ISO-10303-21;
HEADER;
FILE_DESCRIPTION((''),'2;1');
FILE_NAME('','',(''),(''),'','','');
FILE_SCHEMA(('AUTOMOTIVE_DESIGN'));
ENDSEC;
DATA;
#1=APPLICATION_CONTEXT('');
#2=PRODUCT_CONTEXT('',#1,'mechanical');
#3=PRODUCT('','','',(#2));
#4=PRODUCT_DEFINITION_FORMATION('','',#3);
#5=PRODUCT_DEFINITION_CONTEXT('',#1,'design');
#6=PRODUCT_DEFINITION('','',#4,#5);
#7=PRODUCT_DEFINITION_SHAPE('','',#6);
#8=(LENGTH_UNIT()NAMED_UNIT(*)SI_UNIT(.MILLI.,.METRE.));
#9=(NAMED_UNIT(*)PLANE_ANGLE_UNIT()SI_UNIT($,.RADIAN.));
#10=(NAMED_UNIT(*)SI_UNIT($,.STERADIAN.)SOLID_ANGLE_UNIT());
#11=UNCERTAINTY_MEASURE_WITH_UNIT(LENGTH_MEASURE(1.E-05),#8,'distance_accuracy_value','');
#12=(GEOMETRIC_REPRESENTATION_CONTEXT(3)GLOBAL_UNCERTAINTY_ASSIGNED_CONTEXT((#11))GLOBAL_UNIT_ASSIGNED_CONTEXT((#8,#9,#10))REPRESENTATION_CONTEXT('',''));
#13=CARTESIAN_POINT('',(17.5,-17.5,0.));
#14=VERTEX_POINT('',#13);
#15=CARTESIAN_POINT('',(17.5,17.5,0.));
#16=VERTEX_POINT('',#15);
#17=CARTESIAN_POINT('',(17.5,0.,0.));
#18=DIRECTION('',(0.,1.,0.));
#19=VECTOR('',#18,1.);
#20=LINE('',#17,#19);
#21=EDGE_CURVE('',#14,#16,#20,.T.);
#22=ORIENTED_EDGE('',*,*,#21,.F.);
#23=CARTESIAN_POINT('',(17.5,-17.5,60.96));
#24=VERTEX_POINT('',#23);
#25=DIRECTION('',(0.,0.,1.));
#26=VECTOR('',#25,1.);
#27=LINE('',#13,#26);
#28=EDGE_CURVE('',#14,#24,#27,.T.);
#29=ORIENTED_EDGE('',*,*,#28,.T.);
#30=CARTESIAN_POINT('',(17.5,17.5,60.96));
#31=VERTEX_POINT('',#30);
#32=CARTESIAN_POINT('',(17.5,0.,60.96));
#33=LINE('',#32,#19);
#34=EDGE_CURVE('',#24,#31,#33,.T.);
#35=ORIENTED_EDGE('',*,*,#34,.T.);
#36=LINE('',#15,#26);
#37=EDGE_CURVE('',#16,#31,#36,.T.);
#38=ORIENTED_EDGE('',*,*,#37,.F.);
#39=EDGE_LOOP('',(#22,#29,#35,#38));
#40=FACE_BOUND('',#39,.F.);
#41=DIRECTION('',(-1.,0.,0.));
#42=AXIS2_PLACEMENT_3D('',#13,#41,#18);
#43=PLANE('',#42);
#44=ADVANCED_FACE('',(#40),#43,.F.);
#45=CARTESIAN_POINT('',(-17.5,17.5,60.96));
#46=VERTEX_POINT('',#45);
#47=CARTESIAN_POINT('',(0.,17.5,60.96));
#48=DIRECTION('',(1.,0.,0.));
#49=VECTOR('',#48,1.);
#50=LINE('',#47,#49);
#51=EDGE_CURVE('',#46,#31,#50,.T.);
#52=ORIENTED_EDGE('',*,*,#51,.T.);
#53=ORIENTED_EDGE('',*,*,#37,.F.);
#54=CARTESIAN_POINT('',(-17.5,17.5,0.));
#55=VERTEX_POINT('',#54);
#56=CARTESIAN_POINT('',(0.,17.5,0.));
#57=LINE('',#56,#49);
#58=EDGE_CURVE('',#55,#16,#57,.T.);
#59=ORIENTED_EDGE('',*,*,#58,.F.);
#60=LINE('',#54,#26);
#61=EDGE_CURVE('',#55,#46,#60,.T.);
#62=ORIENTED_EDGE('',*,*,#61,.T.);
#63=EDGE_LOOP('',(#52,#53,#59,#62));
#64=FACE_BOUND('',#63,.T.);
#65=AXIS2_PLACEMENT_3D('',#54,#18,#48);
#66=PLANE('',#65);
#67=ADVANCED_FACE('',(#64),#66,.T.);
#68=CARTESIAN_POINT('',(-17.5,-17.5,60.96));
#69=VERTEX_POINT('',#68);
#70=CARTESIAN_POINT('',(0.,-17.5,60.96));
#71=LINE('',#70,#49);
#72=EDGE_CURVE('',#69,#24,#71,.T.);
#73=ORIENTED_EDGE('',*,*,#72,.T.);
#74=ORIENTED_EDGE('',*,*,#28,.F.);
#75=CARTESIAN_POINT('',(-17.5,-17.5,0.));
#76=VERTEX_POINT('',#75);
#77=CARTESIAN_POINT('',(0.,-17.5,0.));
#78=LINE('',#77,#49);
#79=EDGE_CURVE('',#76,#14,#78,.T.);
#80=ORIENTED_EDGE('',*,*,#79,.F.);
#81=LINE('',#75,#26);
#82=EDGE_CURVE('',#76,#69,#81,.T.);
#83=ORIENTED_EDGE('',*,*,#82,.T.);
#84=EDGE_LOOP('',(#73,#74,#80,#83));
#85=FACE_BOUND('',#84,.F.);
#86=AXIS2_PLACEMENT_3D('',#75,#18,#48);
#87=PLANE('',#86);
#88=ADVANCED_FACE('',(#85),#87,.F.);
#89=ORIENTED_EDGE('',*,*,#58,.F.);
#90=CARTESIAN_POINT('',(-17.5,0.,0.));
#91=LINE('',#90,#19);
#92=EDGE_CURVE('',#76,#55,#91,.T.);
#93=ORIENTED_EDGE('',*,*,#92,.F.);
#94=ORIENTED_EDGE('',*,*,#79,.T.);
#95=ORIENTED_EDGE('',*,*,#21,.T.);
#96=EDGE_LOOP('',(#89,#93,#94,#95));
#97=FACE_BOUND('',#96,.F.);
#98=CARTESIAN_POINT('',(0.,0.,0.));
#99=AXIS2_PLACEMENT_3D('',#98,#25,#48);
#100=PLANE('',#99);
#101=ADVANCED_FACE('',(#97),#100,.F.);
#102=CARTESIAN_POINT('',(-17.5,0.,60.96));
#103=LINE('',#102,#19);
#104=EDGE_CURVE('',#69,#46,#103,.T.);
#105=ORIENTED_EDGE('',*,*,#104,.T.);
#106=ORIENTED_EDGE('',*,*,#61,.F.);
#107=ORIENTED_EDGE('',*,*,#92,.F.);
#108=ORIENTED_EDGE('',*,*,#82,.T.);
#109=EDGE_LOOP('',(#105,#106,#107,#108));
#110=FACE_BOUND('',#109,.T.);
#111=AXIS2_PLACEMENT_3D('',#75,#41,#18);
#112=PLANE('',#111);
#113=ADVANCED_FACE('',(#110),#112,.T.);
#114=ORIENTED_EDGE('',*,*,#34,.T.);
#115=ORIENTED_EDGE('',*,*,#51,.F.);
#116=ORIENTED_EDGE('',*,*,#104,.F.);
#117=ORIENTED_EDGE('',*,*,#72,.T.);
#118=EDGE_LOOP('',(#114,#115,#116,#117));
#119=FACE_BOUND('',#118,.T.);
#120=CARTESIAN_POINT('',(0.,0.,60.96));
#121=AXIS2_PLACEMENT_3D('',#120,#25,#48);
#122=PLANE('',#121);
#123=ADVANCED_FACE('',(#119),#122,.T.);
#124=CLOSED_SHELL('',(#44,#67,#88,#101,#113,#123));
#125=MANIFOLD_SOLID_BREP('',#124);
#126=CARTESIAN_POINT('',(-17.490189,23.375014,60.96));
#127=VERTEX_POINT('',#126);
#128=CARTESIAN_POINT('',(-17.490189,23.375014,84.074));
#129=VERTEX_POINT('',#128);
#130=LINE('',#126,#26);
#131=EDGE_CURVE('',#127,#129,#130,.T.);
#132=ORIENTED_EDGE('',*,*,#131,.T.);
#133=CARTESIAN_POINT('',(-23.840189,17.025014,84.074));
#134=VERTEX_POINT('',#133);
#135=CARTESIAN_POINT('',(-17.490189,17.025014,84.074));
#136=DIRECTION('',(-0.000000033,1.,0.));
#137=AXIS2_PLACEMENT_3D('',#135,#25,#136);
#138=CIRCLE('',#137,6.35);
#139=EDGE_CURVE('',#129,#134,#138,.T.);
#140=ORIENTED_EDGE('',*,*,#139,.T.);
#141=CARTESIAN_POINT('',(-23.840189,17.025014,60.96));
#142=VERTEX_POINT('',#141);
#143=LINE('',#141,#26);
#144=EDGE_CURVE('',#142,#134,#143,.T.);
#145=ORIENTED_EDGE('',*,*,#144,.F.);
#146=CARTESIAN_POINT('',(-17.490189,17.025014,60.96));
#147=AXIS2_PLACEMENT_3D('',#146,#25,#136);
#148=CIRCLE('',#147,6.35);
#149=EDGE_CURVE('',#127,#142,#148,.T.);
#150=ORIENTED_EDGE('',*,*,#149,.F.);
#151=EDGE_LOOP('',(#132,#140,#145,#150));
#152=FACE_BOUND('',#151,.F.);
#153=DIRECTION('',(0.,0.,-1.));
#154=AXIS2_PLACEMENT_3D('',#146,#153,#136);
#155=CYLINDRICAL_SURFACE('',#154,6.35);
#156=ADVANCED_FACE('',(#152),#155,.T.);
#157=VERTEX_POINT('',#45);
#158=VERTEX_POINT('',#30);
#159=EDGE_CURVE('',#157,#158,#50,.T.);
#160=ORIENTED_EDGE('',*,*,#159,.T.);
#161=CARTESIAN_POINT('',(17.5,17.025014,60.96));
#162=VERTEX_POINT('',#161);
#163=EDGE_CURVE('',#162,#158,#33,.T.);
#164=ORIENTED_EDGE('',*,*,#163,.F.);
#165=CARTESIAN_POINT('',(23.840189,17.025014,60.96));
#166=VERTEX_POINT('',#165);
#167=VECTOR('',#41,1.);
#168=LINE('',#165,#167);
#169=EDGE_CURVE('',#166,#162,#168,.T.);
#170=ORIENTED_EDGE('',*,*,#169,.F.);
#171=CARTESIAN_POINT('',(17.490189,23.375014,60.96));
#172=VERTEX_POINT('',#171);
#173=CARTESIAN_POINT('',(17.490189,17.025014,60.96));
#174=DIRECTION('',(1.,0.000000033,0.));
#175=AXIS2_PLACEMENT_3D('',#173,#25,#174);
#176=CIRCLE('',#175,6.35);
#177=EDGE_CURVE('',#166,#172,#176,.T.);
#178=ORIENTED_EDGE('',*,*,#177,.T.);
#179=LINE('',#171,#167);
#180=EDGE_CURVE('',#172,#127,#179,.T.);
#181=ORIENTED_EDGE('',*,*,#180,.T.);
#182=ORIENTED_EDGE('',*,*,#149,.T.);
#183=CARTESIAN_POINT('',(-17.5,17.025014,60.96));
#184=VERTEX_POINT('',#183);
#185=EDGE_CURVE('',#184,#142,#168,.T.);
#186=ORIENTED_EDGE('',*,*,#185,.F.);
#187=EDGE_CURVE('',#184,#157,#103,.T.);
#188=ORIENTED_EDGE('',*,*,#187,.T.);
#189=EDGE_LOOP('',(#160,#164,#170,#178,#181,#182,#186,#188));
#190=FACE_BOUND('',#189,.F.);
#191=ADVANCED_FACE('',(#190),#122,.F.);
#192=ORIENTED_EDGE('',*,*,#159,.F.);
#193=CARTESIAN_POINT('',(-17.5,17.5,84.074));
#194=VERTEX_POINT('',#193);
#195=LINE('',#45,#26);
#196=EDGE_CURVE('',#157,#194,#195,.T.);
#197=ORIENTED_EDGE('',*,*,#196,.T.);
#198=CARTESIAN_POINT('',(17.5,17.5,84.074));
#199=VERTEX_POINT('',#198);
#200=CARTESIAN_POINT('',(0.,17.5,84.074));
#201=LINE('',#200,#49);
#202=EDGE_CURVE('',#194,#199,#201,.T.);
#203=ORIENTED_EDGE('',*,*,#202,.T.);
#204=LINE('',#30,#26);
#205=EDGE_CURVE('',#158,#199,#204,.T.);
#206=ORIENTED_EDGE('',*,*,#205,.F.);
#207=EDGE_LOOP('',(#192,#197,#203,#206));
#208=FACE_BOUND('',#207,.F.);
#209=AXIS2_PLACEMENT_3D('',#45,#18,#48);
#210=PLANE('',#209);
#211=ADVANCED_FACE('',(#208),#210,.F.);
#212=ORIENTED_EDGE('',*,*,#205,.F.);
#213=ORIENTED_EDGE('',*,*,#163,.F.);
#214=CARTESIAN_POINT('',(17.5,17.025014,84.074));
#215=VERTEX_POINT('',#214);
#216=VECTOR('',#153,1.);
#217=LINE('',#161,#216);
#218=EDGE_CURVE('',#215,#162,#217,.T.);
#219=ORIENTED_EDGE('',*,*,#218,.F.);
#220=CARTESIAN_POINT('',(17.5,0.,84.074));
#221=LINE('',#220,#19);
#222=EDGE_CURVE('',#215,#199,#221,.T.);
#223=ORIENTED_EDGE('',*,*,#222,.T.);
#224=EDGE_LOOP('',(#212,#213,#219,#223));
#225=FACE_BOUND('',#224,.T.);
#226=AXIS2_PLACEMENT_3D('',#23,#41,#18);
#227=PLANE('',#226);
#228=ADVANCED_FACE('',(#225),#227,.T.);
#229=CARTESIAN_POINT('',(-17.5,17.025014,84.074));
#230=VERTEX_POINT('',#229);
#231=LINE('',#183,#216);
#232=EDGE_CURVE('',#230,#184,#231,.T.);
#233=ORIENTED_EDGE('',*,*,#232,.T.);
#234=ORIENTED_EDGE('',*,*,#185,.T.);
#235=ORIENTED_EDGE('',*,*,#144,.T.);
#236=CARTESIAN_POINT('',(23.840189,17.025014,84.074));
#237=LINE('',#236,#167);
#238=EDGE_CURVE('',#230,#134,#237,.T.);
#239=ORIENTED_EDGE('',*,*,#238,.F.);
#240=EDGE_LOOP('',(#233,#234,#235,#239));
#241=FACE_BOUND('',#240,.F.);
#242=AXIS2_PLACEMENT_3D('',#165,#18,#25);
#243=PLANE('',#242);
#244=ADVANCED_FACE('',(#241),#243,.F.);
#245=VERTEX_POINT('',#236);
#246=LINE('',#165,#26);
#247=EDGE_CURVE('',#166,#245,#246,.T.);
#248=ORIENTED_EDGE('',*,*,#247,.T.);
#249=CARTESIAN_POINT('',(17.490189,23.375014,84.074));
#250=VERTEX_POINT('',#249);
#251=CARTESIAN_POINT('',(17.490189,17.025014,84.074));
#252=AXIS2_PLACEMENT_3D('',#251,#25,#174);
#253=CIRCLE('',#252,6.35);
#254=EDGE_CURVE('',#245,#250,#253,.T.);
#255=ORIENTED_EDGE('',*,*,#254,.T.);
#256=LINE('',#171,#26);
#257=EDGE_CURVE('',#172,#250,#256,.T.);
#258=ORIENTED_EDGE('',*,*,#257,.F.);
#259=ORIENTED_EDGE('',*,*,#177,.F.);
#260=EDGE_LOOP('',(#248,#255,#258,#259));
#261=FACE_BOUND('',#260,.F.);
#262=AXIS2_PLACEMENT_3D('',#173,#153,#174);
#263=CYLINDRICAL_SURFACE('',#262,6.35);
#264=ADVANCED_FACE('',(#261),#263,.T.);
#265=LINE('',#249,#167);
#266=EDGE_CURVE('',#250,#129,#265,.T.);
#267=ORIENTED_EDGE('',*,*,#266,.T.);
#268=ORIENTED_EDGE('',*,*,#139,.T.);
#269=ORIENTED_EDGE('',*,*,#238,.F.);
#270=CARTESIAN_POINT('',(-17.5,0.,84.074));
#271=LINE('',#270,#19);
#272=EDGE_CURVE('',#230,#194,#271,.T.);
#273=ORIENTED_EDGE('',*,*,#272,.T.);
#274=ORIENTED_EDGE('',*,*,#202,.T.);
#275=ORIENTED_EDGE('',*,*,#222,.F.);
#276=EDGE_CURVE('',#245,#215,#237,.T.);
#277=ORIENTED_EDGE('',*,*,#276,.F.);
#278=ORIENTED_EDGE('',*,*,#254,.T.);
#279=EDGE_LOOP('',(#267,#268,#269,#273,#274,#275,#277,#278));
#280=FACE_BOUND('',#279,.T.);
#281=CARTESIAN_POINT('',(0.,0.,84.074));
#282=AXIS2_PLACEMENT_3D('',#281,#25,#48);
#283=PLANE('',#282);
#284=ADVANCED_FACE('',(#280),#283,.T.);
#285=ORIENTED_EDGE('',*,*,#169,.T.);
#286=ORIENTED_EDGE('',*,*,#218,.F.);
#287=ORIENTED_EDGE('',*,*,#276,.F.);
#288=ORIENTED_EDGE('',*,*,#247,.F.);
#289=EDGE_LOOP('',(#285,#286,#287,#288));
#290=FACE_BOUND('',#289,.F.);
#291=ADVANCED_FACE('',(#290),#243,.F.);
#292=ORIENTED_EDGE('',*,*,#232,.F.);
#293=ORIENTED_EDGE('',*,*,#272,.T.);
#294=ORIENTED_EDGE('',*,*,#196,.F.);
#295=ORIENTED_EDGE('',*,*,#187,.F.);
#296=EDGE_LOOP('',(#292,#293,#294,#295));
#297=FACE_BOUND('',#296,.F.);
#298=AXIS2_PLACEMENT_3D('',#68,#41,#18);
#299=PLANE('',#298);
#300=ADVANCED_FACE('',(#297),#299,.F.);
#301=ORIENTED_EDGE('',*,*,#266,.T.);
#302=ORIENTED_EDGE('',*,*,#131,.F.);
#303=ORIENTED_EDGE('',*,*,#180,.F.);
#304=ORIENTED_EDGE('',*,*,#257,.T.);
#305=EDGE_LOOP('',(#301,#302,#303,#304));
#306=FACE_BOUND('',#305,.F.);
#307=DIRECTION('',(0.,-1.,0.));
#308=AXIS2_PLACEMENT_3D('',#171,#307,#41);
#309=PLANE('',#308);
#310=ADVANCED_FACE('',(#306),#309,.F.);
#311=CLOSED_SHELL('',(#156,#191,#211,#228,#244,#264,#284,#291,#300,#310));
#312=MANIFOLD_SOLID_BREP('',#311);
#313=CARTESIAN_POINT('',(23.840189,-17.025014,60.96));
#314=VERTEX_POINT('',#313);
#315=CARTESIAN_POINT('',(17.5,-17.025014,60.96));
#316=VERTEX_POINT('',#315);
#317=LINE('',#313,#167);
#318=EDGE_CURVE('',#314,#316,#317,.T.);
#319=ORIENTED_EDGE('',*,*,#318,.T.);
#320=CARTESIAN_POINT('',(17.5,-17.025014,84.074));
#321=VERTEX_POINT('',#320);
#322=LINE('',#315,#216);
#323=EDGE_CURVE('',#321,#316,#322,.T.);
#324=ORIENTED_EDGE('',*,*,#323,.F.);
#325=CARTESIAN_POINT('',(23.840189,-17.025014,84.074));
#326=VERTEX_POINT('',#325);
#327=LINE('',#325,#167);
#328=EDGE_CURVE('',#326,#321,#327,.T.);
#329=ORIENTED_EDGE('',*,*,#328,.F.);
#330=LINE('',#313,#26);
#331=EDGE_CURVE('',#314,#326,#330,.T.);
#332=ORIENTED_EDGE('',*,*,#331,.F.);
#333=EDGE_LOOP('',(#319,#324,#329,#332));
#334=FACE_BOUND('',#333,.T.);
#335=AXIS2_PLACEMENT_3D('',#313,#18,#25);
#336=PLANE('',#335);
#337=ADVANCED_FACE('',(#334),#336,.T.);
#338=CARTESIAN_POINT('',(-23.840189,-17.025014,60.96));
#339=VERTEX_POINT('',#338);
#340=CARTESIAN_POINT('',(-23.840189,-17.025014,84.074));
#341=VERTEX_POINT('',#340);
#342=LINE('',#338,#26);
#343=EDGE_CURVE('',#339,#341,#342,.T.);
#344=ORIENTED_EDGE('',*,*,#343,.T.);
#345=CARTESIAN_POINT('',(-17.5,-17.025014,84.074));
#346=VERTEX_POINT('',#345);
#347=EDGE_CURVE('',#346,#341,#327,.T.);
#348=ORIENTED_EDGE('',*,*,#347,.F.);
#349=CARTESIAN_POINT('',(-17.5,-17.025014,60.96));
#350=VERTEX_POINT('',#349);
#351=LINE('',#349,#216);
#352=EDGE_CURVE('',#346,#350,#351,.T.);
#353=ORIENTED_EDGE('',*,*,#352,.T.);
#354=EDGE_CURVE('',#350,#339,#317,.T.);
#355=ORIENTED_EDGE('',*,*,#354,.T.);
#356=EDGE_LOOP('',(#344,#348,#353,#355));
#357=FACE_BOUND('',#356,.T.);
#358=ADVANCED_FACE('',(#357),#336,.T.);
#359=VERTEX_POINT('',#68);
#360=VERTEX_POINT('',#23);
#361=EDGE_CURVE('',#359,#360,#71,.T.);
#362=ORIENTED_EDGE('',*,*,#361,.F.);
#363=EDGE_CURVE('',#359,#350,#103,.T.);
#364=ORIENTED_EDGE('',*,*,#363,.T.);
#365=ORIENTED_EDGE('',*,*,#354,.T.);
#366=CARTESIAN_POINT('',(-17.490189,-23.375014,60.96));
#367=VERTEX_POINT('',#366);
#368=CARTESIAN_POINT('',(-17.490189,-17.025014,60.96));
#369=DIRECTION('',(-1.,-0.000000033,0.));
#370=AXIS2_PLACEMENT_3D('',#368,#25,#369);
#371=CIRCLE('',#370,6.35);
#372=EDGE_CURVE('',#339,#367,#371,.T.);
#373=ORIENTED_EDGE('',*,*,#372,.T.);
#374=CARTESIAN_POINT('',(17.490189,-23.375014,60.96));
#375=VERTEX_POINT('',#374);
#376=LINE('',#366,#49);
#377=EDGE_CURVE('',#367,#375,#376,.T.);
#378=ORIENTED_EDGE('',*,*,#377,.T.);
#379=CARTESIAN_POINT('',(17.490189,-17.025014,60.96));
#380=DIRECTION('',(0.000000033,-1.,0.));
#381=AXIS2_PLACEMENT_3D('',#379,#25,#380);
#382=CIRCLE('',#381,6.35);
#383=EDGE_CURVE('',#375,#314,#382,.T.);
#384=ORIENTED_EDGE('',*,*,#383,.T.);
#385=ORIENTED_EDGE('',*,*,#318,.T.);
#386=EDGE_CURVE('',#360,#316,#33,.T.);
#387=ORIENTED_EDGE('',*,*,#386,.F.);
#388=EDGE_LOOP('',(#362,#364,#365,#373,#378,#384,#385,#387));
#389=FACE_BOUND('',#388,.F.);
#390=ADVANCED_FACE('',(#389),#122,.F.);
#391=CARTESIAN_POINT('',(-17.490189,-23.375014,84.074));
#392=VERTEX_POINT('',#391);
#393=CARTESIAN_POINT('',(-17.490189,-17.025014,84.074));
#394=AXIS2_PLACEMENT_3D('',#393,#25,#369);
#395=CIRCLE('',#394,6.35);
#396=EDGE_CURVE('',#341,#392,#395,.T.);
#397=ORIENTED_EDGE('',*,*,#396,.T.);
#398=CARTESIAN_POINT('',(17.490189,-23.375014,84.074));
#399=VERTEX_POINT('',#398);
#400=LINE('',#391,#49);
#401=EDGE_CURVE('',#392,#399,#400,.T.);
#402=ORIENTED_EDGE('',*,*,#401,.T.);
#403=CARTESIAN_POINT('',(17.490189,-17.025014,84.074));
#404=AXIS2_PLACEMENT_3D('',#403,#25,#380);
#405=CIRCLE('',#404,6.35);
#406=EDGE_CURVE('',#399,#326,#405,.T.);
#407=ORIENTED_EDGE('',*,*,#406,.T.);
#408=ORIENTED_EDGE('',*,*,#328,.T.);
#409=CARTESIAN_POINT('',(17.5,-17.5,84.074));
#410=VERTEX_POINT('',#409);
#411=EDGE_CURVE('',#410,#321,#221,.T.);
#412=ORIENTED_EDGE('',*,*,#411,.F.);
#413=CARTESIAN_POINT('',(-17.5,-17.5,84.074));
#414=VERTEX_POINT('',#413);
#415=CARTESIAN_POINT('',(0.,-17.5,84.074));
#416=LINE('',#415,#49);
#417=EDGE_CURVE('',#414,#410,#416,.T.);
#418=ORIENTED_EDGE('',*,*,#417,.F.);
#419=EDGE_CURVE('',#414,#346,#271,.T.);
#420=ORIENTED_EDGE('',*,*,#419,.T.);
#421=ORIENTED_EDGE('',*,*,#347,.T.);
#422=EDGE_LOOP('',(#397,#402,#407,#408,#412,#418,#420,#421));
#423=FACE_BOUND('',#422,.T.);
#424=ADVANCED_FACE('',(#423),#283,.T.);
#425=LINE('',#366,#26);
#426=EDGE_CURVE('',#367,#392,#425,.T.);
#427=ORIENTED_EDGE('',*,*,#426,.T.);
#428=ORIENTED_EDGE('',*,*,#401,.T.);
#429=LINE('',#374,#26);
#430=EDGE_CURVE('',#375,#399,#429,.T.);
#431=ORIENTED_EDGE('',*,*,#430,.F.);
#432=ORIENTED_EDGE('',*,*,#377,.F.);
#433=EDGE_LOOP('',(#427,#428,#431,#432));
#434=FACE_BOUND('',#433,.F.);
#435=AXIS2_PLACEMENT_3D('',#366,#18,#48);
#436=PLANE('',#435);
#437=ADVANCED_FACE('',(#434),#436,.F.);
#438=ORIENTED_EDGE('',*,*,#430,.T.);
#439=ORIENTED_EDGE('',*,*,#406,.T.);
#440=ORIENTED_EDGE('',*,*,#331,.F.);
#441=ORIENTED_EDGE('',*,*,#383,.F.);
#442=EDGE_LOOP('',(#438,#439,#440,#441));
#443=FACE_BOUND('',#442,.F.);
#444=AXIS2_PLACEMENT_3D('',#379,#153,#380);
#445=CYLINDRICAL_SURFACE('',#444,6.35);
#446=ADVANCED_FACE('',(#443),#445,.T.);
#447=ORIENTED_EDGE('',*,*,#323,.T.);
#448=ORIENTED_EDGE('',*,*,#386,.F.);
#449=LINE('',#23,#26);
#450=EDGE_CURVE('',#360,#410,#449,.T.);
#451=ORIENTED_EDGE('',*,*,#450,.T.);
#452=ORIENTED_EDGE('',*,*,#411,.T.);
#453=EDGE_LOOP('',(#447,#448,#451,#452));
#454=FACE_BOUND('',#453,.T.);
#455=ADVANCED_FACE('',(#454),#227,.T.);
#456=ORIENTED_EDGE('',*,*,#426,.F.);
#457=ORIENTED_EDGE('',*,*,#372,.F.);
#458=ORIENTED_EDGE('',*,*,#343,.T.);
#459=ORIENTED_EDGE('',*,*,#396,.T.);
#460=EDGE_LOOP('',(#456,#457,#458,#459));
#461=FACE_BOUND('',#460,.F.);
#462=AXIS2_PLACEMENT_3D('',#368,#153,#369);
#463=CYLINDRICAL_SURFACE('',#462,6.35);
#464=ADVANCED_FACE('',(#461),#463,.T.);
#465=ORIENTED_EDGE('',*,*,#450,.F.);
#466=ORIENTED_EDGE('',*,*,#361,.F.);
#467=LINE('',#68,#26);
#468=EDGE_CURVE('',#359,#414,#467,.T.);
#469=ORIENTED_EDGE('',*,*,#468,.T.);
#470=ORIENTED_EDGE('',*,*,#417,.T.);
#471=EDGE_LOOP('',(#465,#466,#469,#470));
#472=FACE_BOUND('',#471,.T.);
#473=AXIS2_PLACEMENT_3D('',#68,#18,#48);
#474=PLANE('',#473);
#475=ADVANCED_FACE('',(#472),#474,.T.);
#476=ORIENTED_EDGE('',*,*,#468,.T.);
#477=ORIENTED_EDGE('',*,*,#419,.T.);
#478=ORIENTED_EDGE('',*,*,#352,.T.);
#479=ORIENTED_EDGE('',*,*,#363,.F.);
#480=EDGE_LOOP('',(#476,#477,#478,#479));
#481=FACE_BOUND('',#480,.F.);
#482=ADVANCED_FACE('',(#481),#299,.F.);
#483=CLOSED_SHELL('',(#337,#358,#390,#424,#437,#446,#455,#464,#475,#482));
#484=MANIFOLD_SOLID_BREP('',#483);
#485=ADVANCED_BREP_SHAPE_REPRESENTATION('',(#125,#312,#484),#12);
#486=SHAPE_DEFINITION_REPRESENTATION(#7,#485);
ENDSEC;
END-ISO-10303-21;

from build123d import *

# Parameters (mm, degrees)
F0_W      = 35
F0_H      = 35
F1_DEPTH  = 60.96
F2_W      = 35
F2_H      = 35
F3_DEPTH  = 23.114
F3_FACE_W = 34.050028
F3_FACE_H = 23.114
F4_DEPTH  = 64.516


with BuildPart() as f1:
    # F0 (on Top) → F1 (new body)
    with BuildSketch(Plane.XY):
        Rectangle(F0_W, F0_H)
    extrude(amount=F1_DEPTH)


with BuildPart() as f3:
    # F2 (on face) → F3 (new body)
    with BuildSketch(Plane.XY.offset(60.96)):
        with BuildLine():
            Line((17.490189, 23.375014), (-17.490189, 23.375014))
            ThreePointArc((-17.490189, 23.375014), (-21.980317, 21.515142), (-23.840189, 17.025014))
            Line((-23.840189, 17.025014), (-23.840189, -17.025014))
            ThreePointArc((-23.840189, -17.025014), (-21.980317, -21.515142), (-17.490189, -23.375014))
            Line((-17.490189, -23.375014), (17.490189, -23.375014))
            ThreePointArc((17.490189, -23.375014), (21.980317, -21.515142), (23.840189, -17.025014))
            Line((23.840189, -17.025014), (23.840189, 17.025014))
            ThreePointArc((23.840189, 17.025014), (21.980317, 21.515142), (17.490189, 23.375014))
        make_face()
        Rectangle(F2_W, F2_H, mode=Mode.SUBTRACT)
    extrude(amount=F3_DEPTH)

    # F3_face (on face) → F4 (cut)
    with BuildSketch(Plane(origin=(23.840189, 0, 72.517), x_dir=(0, 1, 0), z_dir=(1, 0, 0))):
        Rectangle(F3_FACE_W, F3_FACE_H)
    extrude(amount=-F4_DEPTH, mode=Mode.SUBTRACT)


solid = Compound([f1.part, f3.part])
